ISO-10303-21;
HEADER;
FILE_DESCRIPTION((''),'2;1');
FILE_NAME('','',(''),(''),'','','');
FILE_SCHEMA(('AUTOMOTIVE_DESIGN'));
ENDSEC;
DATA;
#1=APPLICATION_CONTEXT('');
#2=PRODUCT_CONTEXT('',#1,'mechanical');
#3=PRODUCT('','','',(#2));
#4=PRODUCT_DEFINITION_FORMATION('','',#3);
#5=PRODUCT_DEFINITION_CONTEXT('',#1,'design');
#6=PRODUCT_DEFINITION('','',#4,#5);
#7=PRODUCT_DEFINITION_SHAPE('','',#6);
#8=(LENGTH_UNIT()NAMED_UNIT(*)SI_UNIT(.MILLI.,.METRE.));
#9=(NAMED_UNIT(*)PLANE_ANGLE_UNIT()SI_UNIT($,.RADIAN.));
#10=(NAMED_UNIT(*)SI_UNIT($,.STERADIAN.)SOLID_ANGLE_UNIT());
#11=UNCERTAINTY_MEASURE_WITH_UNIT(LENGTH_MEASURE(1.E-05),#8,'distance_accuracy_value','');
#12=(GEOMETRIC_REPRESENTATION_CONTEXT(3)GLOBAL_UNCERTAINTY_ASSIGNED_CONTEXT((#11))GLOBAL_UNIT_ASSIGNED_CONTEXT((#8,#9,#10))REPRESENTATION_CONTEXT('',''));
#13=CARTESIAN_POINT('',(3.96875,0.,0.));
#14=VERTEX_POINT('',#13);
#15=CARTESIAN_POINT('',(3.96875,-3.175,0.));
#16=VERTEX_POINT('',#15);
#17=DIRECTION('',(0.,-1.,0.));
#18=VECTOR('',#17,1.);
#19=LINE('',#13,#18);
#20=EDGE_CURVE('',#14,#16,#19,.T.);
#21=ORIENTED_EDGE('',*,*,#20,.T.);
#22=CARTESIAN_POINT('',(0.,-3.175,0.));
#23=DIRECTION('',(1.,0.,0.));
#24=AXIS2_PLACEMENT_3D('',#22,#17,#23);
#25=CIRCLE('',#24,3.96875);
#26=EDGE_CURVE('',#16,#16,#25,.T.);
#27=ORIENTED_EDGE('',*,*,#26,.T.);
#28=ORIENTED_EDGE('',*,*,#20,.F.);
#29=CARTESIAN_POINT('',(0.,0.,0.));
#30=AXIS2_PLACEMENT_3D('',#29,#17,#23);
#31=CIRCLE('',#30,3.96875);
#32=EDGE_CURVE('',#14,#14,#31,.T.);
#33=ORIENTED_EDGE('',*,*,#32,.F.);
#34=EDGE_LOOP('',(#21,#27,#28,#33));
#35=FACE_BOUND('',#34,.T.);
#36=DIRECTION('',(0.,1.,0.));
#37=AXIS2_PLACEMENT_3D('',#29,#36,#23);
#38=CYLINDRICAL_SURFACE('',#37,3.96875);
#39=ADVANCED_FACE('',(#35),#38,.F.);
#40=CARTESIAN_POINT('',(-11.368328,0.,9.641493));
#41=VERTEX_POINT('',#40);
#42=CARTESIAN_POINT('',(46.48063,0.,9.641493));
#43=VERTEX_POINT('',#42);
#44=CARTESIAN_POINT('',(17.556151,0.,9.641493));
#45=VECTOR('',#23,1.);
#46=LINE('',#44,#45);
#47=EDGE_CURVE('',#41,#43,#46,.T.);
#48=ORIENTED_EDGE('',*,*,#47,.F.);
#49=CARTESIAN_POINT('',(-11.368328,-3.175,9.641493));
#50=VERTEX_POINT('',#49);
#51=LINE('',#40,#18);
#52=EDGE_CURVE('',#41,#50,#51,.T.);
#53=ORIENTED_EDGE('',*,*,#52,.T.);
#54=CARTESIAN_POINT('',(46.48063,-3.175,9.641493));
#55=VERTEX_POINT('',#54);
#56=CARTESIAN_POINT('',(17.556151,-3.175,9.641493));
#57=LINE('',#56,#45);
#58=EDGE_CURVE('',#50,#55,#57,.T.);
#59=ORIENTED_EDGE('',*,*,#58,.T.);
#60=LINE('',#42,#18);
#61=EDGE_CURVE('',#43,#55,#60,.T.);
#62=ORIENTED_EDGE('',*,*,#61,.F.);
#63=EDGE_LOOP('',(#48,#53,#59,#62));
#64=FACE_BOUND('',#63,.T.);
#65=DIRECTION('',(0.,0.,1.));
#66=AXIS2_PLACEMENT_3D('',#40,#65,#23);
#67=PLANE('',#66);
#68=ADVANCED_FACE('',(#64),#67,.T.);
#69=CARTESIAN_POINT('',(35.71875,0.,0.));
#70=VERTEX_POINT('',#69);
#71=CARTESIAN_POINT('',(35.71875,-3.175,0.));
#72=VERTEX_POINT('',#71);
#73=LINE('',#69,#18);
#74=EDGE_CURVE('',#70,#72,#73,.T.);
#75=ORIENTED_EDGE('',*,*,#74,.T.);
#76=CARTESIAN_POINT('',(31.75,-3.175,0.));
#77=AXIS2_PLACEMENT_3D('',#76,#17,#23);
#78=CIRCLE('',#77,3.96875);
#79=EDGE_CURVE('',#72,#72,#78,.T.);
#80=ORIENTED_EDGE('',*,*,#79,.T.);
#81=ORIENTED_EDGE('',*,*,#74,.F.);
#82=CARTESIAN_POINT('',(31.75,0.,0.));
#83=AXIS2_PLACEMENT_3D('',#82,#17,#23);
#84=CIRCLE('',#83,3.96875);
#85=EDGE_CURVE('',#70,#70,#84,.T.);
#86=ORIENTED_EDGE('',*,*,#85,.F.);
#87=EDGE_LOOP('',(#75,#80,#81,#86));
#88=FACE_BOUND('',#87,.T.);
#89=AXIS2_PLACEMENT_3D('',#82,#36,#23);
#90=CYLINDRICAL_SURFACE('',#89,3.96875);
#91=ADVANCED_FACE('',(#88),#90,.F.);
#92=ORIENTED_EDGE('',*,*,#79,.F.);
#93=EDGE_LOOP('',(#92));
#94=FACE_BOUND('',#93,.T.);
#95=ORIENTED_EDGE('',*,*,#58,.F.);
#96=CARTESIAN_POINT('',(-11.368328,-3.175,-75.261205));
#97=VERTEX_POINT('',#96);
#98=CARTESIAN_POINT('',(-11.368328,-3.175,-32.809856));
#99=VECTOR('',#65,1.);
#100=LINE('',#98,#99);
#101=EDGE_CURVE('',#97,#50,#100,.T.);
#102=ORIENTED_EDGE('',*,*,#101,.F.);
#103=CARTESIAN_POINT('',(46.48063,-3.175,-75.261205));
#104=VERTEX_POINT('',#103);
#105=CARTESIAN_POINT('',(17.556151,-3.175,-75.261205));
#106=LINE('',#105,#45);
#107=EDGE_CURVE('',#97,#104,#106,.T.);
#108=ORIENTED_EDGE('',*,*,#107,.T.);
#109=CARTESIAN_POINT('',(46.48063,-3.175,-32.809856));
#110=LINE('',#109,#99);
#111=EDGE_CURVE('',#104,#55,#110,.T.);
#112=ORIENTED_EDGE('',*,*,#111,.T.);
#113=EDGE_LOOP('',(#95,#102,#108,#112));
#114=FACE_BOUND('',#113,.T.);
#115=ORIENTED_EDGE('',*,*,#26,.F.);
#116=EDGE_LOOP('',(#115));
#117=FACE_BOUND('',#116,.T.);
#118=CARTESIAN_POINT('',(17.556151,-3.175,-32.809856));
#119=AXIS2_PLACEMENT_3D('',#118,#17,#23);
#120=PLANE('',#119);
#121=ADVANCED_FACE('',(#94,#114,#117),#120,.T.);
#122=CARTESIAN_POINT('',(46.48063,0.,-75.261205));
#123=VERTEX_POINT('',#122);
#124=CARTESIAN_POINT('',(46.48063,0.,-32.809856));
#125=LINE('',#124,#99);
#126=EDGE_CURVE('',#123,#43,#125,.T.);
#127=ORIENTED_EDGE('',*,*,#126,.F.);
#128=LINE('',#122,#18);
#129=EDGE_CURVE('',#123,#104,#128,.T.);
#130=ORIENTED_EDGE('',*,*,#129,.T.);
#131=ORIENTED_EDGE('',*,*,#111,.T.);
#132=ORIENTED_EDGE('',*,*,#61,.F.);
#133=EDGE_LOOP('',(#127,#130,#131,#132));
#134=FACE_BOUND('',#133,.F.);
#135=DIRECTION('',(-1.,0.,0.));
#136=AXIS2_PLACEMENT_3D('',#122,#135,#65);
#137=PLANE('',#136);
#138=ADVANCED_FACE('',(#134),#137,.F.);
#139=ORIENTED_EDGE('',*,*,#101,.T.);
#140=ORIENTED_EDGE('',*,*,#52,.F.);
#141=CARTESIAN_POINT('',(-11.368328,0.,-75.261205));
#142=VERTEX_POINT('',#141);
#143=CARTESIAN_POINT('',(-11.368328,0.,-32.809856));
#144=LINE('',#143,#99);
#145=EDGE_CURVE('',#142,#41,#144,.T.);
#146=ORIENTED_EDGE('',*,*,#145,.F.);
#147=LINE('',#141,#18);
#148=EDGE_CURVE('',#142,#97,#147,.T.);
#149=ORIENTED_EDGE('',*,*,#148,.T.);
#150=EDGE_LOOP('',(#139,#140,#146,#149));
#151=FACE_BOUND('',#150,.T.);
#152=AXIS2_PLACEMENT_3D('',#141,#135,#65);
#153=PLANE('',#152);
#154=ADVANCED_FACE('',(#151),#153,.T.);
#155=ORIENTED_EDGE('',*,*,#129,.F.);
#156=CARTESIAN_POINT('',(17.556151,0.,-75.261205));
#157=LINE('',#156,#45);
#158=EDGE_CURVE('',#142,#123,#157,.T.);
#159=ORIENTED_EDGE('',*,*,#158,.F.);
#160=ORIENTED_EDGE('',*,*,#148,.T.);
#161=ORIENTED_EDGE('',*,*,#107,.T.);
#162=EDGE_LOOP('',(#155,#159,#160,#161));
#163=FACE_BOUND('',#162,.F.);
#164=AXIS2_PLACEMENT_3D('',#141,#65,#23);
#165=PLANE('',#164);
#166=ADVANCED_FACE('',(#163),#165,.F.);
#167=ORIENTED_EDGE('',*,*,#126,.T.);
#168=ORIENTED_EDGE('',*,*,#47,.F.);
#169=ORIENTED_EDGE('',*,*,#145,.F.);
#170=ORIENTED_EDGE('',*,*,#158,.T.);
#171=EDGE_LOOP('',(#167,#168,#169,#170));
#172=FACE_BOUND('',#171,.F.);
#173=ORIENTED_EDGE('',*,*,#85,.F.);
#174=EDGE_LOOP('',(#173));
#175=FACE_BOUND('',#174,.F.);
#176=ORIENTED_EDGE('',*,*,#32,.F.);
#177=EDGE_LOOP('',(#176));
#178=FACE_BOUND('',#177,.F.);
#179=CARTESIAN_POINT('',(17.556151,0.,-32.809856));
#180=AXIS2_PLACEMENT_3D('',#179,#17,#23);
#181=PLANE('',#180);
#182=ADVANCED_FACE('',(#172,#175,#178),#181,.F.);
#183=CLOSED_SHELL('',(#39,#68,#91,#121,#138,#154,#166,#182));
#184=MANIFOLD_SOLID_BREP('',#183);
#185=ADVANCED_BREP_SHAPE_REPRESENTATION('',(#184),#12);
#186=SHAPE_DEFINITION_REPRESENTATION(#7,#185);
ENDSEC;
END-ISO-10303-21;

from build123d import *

# Parameters (mm, degrees)
F0_W     = 57.848958
F0_H     = 84.902698
F0_R     = 3.96875
F1_DEPTH = 3.175


with BuildPart() as f1:
    # F0 (on Front) → F1 (new body)
    with BuildSketch(Plane.XZ):
        with Locations((17.556151, -32.809856)):
            Rectangle(F0_W, F0_H)
        Circle(F0_R, mode=Mode.SUBTRACT)
        with Locations((31.75, 0)):
            Circle(F0_R, mode=Mode.SUBTRACT)
    extrude(amount=F1_DEPTH)


solid = f1.part
